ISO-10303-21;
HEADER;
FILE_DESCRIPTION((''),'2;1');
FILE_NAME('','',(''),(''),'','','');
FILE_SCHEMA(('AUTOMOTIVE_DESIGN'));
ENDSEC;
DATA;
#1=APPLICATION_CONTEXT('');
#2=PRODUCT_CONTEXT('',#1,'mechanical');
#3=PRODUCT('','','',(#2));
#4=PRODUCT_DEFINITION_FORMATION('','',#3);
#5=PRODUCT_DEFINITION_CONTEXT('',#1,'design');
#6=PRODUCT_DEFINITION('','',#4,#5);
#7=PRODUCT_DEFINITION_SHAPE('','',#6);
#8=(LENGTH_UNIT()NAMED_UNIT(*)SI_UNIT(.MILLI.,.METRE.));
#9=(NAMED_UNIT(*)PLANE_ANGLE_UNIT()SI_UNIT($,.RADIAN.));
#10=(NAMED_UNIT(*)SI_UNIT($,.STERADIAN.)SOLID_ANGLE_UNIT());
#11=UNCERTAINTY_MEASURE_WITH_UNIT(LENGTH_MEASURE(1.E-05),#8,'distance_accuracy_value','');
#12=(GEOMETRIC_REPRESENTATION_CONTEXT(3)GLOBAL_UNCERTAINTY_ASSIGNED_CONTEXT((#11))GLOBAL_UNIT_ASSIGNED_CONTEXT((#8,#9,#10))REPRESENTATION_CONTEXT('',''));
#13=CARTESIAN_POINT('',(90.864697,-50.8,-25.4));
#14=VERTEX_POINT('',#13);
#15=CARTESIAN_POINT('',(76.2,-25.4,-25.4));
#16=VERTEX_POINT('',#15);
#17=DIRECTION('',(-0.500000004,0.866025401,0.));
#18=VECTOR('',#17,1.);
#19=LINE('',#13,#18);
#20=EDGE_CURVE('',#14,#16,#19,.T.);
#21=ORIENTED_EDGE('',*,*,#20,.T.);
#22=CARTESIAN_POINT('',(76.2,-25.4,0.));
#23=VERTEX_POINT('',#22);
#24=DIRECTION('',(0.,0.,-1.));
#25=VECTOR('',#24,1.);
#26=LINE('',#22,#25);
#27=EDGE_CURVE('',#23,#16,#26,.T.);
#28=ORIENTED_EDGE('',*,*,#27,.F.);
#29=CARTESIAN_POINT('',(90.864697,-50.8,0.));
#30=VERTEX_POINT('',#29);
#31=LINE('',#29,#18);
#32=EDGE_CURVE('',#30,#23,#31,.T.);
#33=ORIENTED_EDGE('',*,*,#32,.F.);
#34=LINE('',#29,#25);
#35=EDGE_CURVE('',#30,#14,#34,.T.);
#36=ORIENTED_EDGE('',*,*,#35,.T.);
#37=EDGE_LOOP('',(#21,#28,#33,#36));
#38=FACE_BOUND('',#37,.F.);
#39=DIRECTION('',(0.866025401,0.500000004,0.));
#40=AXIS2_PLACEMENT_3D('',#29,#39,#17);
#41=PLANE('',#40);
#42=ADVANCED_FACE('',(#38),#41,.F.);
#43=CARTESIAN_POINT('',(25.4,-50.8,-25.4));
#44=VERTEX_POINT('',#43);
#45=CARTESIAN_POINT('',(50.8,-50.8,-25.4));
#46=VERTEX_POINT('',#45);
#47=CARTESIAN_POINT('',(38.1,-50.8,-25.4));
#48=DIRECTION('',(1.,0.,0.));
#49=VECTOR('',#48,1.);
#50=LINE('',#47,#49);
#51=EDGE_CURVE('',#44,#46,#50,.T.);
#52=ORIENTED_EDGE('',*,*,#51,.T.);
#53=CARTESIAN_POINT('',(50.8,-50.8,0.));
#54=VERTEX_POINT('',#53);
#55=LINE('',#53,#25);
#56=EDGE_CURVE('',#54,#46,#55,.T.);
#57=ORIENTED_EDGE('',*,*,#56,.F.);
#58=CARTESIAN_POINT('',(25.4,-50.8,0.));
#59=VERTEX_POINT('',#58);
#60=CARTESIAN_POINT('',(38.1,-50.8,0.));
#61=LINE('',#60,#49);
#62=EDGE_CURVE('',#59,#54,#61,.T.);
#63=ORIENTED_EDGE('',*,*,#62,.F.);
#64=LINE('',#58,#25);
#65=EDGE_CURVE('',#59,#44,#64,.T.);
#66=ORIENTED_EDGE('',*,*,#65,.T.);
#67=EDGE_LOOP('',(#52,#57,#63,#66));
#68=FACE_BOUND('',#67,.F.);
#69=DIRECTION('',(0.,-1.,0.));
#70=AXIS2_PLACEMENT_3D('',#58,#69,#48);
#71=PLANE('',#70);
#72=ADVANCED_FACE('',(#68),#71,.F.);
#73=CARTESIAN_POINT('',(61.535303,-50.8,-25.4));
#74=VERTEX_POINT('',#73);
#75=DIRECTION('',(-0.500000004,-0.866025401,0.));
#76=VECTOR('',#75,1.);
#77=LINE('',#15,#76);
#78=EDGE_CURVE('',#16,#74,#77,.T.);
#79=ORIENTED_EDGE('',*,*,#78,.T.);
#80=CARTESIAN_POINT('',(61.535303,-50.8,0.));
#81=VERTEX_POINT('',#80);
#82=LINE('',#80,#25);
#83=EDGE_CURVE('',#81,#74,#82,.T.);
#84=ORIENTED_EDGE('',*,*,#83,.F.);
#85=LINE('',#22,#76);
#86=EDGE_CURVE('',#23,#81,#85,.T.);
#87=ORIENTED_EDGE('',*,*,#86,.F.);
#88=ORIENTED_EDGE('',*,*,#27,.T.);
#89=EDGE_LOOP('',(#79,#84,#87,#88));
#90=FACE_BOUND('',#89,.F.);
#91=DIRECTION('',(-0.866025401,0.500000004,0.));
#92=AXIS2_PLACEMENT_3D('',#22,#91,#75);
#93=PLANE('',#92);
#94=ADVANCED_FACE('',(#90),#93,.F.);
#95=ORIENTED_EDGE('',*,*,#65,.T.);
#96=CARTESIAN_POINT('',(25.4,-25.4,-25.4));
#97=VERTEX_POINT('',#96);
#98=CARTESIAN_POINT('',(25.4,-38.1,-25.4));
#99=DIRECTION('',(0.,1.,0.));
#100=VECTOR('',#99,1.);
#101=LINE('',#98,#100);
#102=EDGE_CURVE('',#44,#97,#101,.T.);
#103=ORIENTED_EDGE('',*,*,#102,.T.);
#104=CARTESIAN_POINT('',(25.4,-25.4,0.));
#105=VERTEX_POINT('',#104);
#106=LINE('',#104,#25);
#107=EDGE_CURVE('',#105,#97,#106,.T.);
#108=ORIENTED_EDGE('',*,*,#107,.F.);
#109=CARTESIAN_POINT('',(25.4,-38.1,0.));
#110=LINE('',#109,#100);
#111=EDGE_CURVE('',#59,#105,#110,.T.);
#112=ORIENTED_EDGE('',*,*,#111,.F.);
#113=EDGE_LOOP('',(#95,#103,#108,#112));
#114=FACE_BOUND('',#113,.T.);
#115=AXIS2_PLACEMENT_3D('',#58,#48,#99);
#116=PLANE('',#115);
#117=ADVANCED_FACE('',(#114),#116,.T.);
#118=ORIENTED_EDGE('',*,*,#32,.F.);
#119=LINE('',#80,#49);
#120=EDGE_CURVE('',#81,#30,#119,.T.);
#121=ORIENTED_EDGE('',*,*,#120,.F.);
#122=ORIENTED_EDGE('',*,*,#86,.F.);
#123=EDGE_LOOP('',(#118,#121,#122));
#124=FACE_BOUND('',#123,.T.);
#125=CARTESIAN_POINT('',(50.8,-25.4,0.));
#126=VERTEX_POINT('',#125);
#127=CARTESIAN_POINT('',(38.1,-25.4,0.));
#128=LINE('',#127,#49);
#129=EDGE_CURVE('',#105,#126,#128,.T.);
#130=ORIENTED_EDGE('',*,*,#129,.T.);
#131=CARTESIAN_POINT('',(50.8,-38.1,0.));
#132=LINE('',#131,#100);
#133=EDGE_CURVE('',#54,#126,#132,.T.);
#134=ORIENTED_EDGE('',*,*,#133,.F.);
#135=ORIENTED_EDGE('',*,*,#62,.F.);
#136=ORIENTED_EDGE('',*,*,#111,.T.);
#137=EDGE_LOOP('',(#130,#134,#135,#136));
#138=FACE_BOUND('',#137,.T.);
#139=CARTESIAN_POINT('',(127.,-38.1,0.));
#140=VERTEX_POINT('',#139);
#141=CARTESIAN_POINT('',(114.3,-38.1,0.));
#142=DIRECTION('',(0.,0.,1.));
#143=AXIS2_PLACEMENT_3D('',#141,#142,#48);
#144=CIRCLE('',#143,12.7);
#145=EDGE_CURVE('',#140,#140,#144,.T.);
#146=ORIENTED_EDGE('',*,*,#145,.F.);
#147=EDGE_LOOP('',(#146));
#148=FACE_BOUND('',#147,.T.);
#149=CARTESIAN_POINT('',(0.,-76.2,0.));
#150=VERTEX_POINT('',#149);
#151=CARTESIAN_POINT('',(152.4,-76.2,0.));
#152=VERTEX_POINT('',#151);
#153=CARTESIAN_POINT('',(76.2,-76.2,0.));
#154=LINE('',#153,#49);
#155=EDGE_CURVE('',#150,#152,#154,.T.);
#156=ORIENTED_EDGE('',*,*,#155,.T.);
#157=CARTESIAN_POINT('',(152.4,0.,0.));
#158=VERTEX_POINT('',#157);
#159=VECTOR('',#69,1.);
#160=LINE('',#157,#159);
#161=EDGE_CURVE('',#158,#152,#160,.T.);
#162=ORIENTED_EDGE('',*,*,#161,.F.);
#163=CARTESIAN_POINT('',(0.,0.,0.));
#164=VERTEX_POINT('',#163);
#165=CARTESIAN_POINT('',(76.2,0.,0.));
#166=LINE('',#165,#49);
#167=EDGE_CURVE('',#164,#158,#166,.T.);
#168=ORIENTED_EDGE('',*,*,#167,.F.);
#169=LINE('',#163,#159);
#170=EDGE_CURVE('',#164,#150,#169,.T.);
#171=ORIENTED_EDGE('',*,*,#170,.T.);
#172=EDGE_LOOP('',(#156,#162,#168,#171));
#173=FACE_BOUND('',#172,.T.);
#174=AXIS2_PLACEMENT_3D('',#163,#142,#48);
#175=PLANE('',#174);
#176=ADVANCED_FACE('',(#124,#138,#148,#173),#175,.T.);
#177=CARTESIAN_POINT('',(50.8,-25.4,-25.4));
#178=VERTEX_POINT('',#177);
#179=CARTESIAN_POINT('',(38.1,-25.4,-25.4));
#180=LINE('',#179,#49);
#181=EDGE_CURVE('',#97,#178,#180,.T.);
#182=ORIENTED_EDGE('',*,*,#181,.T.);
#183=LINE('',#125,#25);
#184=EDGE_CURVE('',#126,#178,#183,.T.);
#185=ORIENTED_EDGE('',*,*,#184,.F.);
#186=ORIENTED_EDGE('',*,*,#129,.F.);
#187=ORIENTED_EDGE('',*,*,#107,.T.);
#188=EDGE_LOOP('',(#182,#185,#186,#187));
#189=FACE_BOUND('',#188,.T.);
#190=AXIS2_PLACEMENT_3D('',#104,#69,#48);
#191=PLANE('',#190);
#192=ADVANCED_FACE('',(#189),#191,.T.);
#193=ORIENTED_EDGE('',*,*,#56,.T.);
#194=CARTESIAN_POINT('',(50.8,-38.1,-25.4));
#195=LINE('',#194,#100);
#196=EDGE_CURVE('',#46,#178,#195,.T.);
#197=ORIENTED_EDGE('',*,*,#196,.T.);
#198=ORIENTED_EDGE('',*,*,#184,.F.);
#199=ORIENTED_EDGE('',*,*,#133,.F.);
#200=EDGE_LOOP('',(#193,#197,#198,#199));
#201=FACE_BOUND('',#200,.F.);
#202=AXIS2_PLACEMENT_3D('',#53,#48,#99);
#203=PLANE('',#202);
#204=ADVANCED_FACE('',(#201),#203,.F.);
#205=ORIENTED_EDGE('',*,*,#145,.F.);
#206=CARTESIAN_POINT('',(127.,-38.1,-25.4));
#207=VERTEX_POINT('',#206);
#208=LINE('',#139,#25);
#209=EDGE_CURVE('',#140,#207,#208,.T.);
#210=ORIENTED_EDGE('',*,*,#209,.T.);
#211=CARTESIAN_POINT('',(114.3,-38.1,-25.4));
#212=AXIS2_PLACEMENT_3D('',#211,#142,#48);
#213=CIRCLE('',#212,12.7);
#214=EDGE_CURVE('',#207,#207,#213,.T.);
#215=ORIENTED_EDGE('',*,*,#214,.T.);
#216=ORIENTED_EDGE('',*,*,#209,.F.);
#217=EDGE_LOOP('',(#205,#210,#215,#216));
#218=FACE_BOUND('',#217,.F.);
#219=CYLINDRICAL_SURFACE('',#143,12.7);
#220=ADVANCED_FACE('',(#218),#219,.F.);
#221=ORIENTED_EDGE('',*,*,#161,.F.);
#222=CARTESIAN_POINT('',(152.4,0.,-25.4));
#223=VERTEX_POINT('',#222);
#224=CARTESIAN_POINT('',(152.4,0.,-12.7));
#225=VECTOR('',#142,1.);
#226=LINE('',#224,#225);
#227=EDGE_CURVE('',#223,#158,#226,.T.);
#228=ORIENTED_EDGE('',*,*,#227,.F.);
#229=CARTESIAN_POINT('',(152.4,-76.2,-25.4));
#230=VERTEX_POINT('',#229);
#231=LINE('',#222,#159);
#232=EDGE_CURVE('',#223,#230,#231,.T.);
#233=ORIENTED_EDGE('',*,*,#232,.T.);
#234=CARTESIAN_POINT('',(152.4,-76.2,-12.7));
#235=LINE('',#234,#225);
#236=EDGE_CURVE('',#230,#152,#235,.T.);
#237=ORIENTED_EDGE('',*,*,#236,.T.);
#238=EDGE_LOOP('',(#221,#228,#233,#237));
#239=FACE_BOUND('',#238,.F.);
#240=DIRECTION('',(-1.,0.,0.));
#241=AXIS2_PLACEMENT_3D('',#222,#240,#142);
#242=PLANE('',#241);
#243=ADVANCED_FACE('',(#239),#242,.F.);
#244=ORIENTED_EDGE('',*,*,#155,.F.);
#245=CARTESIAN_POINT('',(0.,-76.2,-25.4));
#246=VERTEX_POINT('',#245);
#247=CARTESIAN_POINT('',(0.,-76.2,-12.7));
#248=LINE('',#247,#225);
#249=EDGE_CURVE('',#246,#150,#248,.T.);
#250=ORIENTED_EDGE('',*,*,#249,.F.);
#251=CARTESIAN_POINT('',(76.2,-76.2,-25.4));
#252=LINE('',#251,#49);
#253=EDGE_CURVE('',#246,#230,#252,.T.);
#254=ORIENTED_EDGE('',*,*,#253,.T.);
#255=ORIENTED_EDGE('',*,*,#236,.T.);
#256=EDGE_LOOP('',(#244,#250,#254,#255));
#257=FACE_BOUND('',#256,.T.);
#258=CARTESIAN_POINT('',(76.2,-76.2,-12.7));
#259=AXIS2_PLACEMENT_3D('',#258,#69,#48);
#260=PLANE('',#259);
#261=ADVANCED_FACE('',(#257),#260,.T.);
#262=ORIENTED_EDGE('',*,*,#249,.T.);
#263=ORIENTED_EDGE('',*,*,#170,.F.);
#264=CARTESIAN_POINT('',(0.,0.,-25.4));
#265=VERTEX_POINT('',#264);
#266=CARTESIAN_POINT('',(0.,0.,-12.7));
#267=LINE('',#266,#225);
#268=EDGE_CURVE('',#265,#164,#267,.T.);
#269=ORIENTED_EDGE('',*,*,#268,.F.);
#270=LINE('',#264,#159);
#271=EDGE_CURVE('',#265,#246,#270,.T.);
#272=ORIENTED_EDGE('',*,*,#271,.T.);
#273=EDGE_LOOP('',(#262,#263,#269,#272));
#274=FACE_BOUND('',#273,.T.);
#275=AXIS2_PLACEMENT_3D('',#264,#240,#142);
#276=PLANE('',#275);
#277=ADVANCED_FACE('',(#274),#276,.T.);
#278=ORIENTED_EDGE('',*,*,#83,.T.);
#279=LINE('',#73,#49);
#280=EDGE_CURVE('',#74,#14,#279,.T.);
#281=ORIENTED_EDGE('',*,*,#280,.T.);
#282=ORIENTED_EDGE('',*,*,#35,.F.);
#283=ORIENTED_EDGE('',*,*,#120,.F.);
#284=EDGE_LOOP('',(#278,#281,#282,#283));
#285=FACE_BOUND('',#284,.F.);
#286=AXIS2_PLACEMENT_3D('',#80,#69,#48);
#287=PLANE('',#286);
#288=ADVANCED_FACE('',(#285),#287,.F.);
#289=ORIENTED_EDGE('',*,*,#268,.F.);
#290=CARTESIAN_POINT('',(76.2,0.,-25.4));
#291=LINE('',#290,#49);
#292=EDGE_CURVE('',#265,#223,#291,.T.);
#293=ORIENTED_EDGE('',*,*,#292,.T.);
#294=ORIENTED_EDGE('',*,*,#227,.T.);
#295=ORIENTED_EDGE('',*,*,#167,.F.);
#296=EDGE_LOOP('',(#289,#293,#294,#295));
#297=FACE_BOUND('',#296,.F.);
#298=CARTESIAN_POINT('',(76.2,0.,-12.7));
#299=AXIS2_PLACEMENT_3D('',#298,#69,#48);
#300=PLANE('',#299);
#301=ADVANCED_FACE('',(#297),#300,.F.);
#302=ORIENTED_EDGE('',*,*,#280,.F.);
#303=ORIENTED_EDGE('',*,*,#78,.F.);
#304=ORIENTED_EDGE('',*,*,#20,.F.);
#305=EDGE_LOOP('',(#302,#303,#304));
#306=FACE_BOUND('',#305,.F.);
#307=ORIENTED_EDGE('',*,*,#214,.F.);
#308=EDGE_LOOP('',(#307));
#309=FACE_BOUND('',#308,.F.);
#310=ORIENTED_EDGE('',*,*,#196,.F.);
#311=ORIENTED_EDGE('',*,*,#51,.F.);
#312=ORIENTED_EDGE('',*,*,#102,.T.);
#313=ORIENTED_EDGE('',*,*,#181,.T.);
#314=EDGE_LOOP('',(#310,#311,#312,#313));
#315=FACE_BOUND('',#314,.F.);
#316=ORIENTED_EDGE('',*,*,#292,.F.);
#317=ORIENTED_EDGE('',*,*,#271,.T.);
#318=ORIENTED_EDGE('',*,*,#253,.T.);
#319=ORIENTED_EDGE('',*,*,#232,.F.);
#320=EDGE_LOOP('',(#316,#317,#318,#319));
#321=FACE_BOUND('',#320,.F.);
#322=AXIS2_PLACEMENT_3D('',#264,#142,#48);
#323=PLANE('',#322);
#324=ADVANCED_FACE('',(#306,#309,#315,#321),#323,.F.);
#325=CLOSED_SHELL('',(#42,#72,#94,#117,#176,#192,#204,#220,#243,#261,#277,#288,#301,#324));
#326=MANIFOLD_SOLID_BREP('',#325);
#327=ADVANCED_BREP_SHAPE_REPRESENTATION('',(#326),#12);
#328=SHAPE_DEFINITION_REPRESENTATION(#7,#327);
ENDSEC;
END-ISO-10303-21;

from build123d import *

# Parameters (mm, degrees)
F0_W     = 152.4
F0_H     = 25.4
F1_DEPTH = 76.2
F2_W     = 25.4
F2_H     = 25.4
F2_R     = 12.7
F3_DEPTH = 25.4


with BuildPart() as f1:
    # F0 (on Front) → F1 (new body)
    with BuildSketch(Plane.XZ):
        with Locations((76.2, -12.7)):
            Rectangle(F0_W, F0_H)
    extrude(amount=F1_DEPTH)

    # F2 (on face) → F3 (cut)
    with BuildSketch(Plane.XY):
        with Locations((38.1, -38.1)):
            Rectangle(F2_W, F2_H)
        Polygon((76.2, -25.4), (61.535303, -50.8), (76.2, -50.8), (76.2, -38.1), align=None)
        Polygon((76.2, -38.1), (76.2, -50.8), (90.864697, -50.8), (76.2, -25.4), align=None)
        with Locations((114.3, -38.1)):
            Circle(F2_R)
    extrude(amount=-F3_DEPTH, mode=Mode.SUBTRACT)


solid = f1.part
